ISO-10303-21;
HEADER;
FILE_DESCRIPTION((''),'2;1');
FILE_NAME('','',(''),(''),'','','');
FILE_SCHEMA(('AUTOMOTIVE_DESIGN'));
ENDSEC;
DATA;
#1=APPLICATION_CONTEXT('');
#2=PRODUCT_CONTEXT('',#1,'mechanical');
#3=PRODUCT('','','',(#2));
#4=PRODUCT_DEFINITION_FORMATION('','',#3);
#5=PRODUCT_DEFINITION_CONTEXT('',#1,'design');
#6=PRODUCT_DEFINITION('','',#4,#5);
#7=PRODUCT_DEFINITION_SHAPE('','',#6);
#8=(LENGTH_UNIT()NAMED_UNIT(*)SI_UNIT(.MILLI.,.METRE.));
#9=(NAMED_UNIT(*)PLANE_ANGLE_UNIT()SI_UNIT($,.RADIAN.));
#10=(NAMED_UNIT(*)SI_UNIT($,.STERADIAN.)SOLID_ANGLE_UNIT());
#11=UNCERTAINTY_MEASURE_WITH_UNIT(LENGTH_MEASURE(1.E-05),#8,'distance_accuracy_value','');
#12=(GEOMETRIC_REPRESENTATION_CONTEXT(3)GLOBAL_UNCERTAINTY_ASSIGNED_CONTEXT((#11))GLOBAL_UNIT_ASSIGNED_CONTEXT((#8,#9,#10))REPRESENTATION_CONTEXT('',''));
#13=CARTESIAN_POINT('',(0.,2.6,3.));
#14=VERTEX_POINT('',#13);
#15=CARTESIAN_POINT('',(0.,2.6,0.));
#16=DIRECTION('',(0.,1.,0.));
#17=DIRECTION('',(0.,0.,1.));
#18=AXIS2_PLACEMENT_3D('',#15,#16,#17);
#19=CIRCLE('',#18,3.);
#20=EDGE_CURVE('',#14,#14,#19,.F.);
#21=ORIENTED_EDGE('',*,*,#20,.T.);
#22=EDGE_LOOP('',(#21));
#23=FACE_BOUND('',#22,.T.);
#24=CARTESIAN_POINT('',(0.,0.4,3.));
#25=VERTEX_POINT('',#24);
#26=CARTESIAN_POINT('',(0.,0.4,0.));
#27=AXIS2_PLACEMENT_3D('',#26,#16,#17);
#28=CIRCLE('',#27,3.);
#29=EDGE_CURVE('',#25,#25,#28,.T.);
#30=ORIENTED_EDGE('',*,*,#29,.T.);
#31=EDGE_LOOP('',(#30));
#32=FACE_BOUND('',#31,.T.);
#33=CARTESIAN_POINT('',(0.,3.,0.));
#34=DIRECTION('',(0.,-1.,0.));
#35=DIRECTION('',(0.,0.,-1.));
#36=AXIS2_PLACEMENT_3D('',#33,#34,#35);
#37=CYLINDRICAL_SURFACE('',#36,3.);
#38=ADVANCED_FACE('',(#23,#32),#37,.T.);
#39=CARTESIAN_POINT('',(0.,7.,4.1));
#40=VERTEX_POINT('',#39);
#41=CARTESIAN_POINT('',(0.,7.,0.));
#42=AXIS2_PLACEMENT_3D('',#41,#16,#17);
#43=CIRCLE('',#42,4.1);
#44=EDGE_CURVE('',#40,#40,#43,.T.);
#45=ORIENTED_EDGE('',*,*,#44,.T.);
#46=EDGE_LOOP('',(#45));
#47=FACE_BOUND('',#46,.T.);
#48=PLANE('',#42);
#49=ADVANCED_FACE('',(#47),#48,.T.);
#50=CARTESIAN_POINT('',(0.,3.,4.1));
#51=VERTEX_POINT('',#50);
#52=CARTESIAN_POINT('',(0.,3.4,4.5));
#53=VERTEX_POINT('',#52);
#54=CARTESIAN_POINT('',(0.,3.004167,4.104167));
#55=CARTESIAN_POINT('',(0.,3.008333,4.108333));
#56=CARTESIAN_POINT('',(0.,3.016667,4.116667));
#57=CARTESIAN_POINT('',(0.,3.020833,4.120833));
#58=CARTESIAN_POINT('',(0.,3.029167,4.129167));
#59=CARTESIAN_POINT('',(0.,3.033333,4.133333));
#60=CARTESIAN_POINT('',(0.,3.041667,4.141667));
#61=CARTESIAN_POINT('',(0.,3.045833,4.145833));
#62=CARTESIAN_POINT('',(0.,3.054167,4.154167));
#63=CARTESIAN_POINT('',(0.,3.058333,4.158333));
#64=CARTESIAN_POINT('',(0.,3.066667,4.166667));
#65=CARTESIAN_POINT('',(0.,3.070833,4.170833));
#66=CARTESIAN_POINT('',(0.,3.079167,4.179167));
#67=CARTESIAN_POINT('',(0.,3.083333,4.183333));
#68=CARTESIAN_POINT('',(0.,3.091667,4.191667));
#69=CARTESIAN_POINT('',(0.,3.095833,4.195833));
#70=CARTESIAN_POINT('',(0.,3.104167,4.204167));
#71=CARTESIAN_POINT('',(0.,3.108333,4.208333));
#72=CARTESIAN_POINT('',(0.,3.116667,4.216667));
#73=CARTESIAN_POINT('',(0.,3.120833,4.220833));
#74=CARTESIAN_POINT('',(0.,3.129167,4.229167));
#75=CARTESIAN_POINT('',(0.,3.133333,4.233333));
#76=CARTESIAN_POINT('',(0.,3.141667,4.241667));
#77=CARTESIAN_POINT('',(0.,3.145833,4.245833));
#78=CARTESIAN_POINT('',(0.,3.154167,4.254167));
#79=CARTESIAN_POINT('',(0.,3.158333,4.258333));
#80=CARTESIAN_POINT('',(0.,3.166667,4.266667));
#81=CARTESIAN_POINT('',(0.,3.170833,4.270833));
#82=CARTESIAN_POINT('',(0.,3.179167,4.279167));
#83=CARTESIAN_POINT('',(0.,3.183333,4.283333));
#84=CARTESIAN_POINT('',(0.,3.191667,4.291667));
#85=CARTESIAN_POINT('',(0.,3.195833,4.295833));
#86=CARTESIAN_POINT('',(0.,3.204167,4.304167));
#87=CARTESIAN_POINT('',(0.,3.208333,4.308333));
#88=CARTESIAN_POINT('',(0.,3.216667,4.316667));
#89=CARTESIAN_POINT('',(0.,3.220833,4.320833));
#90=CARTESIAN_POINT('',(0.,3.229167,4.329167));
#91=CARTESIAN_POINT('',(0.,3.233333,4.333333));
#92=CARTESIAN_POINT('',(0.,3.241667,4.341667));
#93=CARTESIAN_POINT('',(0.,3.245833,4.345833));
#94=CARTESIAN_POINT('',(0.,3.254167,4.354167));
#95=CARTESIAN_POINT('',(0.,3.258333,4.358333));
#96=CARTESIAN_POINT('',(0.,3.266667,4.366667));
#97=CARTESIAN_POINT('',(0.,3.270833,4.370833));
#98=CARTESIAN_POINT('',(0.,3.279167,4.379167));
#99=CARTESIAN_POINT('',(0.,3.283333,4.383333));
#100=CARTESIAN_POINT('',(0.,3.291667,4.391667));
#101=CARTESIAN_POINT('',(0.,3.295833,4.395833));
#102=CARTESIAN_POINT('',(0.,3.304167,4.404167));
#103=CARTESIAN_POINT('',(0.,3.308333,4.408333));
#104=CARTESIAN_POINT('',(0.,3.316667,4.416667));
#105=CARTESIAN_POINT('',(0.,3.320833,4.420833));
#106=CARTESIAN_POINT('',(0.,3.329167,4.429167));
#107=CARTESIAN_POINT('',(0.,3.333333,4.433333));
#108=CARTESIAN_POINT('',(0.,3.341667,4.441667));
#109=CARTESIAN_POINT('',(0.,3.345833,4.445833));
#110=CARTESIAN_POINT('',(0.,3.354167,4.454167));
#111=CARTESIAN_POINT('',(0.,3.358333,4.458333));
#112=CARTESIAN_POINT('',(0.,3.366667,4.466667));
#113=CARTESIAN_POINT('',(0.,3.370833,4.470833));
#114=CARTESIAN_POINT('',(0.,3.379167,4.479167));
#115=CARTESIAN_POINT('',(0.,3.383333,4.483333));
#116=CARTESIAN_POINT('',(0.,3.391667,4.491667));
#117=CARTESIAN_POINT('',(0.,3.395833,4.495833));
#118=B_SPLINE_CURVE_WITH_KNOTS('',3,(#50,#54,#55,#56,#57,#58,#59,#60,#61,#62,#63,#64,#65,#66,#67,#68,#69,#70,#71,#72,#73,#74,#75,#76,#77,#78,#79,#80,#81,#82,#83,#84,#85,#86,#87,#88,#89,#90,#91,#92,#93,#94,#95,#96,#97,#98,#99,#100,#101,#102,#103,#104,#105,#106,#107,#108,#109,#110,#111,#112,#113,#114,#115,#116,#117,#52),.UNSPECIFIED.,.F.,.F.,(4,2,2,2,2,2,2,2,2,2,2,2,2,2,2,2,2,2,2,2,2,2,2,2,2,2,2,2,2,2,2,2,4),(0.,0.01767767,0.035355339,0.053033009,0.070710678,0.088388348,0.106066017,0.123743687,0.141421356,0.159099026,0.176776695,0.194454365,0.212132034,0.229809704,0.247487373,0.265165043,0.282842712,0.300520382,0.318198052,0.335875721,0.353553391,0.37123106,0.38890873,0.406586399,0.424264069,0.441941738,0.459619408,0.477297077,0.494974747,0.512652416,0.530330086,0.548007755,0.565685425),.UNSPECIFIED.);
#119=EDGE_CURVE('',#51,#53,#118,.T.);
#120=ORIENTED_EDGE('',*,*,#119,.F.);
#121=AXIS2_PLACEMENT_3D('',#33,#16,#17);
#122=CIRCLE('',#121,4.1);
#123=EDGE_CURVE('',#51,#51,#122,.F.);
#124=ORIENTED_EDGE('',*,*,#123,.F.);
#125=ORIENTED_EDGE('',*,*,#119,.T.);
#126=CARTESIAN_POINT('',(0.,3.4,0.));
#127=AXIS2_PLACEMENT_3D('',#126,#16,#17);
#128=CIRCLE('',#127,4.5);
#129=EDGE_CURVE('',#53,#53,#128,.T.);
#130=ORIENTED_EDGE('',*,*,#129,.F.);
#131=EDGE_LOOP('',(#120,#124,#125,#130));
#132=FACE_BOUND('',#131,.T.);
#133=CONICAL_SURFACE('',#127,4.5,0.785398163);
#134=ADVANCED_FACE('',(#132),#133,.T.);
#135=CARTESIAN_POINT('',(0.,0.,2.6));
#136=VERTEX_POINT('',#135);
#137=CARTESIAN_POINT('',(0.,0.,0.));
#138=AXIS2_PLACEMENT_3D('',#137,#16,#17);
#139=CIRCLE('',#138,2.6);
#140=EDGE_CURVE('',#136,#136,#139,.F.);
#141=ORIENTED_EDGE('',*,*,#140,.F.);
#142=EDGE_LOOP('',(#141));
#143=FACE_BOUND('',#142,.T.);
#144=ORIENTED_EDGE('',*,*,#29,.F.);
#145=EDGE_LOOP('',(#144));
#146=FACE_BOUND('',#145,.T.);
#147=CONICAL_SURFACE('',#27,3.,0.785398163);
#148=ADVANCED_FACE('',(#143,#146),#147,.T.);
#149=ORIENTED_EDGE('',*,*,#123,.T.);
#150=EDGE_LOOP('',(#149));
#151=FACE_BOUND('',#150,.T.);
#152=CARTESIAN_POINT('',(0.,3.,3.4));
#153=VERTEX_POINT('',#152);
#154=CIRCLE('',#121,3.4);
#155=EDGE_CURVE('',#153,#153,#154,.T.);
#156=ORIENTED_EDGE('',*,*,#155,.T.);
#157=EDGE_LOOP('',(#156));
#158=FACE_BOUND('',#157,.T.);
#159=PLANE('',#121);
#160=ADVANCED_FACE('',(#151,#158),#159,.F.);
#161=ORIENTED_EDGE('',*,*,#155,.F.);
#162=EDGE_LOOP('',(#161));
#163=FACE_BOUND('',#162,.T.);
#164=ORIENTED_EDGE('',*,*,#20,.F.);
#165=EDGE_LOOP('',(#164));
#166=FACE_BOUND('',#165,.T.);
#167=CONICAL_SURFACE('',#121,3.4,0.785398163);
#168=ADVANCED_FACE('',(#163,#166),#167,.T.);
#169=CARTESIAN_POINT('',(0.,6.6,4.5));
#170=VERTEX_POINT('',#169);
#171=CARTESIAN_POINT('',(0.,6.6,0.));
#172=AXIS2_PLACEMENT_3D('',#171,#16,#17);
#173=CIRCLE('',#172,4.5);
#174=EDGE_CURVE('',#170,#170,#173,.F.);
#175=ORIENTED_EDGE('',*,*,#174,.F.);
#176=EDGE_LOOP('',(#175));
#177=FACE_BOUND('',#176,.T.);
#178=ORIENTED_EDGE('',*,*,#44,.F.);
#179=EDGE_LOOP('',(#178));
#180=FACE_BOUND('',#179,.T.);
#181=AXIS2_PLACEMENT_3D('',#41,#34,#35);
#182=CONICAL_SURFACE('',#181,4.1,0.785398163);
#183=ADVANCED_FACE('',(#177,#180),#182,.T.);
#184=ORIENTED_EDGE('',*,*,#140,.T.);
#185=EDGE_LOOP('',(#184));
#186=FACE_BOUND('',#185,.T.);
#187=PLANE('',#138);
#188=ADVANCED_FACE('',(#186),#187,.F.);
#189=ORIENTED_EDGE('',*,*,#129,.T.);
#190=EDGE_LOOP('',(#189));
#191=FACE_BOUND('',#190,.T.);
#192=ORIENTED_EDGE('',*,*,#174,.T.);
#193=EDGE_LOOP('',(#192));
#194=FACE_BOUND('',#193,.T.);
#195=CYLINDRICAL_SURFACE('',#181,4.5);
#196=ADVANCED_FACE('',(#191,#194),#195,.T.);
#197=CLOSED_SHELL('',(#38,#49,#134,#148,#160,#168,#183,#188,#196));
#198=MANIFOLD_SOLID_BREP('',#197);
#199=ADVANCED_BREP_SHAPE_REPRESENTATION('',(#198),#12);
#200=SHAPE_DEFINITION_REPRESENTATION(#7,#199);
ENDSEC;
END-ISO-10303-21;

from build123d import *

# Parameters (mm, degrees)
SKETCH_1_R      = 3
EXTRUDE_1_DEPTH = 3
SKETCH_2_R      = 4.5
EXTRUDE_2_DEPTH = 4
CHAMFER_1_SIZE  = 0.4


with BuildPart() as part:
    # 草图1 → 凸台-拉伸1 (new body)
    with BuildSketch(Plane(origin=(0, 0, 0), x_dir=(1, 0, 0), z_dir=(0, 1, 0))):
        with Locations(Location((0, 0, 0), (0, 0, 270))):
            Circle(SKETCH_1_R)
    extrude(amount=EXTRUDE_1_DEPTH)

    # 草图2 → 凸台-拉伸2 (add)
    with BuildSketch(Plane(origin=(0, 3, 0), x_dir=(1, 0, 0), z_dir=(0, 1, 0))):
        with Locations(Location((0, 0, 0), (0, 0, 270))):
            Circle(SKETCH_2_R)
    extrude(amount=EXTRUDE_2_DEPTH)

    # 倒角1
    chamfer_1_edges = [part.edges().sort_by_distance(p)[0] for p in [
        (0, 0, -3),
        (0, 3, -3),
        (0, 3, -4.5),
        (0, 7, -4.5),
    ]]
    chamfer(chamfer_1_edges, length=CHAMFER_1_SIZE)


solid = part.part
